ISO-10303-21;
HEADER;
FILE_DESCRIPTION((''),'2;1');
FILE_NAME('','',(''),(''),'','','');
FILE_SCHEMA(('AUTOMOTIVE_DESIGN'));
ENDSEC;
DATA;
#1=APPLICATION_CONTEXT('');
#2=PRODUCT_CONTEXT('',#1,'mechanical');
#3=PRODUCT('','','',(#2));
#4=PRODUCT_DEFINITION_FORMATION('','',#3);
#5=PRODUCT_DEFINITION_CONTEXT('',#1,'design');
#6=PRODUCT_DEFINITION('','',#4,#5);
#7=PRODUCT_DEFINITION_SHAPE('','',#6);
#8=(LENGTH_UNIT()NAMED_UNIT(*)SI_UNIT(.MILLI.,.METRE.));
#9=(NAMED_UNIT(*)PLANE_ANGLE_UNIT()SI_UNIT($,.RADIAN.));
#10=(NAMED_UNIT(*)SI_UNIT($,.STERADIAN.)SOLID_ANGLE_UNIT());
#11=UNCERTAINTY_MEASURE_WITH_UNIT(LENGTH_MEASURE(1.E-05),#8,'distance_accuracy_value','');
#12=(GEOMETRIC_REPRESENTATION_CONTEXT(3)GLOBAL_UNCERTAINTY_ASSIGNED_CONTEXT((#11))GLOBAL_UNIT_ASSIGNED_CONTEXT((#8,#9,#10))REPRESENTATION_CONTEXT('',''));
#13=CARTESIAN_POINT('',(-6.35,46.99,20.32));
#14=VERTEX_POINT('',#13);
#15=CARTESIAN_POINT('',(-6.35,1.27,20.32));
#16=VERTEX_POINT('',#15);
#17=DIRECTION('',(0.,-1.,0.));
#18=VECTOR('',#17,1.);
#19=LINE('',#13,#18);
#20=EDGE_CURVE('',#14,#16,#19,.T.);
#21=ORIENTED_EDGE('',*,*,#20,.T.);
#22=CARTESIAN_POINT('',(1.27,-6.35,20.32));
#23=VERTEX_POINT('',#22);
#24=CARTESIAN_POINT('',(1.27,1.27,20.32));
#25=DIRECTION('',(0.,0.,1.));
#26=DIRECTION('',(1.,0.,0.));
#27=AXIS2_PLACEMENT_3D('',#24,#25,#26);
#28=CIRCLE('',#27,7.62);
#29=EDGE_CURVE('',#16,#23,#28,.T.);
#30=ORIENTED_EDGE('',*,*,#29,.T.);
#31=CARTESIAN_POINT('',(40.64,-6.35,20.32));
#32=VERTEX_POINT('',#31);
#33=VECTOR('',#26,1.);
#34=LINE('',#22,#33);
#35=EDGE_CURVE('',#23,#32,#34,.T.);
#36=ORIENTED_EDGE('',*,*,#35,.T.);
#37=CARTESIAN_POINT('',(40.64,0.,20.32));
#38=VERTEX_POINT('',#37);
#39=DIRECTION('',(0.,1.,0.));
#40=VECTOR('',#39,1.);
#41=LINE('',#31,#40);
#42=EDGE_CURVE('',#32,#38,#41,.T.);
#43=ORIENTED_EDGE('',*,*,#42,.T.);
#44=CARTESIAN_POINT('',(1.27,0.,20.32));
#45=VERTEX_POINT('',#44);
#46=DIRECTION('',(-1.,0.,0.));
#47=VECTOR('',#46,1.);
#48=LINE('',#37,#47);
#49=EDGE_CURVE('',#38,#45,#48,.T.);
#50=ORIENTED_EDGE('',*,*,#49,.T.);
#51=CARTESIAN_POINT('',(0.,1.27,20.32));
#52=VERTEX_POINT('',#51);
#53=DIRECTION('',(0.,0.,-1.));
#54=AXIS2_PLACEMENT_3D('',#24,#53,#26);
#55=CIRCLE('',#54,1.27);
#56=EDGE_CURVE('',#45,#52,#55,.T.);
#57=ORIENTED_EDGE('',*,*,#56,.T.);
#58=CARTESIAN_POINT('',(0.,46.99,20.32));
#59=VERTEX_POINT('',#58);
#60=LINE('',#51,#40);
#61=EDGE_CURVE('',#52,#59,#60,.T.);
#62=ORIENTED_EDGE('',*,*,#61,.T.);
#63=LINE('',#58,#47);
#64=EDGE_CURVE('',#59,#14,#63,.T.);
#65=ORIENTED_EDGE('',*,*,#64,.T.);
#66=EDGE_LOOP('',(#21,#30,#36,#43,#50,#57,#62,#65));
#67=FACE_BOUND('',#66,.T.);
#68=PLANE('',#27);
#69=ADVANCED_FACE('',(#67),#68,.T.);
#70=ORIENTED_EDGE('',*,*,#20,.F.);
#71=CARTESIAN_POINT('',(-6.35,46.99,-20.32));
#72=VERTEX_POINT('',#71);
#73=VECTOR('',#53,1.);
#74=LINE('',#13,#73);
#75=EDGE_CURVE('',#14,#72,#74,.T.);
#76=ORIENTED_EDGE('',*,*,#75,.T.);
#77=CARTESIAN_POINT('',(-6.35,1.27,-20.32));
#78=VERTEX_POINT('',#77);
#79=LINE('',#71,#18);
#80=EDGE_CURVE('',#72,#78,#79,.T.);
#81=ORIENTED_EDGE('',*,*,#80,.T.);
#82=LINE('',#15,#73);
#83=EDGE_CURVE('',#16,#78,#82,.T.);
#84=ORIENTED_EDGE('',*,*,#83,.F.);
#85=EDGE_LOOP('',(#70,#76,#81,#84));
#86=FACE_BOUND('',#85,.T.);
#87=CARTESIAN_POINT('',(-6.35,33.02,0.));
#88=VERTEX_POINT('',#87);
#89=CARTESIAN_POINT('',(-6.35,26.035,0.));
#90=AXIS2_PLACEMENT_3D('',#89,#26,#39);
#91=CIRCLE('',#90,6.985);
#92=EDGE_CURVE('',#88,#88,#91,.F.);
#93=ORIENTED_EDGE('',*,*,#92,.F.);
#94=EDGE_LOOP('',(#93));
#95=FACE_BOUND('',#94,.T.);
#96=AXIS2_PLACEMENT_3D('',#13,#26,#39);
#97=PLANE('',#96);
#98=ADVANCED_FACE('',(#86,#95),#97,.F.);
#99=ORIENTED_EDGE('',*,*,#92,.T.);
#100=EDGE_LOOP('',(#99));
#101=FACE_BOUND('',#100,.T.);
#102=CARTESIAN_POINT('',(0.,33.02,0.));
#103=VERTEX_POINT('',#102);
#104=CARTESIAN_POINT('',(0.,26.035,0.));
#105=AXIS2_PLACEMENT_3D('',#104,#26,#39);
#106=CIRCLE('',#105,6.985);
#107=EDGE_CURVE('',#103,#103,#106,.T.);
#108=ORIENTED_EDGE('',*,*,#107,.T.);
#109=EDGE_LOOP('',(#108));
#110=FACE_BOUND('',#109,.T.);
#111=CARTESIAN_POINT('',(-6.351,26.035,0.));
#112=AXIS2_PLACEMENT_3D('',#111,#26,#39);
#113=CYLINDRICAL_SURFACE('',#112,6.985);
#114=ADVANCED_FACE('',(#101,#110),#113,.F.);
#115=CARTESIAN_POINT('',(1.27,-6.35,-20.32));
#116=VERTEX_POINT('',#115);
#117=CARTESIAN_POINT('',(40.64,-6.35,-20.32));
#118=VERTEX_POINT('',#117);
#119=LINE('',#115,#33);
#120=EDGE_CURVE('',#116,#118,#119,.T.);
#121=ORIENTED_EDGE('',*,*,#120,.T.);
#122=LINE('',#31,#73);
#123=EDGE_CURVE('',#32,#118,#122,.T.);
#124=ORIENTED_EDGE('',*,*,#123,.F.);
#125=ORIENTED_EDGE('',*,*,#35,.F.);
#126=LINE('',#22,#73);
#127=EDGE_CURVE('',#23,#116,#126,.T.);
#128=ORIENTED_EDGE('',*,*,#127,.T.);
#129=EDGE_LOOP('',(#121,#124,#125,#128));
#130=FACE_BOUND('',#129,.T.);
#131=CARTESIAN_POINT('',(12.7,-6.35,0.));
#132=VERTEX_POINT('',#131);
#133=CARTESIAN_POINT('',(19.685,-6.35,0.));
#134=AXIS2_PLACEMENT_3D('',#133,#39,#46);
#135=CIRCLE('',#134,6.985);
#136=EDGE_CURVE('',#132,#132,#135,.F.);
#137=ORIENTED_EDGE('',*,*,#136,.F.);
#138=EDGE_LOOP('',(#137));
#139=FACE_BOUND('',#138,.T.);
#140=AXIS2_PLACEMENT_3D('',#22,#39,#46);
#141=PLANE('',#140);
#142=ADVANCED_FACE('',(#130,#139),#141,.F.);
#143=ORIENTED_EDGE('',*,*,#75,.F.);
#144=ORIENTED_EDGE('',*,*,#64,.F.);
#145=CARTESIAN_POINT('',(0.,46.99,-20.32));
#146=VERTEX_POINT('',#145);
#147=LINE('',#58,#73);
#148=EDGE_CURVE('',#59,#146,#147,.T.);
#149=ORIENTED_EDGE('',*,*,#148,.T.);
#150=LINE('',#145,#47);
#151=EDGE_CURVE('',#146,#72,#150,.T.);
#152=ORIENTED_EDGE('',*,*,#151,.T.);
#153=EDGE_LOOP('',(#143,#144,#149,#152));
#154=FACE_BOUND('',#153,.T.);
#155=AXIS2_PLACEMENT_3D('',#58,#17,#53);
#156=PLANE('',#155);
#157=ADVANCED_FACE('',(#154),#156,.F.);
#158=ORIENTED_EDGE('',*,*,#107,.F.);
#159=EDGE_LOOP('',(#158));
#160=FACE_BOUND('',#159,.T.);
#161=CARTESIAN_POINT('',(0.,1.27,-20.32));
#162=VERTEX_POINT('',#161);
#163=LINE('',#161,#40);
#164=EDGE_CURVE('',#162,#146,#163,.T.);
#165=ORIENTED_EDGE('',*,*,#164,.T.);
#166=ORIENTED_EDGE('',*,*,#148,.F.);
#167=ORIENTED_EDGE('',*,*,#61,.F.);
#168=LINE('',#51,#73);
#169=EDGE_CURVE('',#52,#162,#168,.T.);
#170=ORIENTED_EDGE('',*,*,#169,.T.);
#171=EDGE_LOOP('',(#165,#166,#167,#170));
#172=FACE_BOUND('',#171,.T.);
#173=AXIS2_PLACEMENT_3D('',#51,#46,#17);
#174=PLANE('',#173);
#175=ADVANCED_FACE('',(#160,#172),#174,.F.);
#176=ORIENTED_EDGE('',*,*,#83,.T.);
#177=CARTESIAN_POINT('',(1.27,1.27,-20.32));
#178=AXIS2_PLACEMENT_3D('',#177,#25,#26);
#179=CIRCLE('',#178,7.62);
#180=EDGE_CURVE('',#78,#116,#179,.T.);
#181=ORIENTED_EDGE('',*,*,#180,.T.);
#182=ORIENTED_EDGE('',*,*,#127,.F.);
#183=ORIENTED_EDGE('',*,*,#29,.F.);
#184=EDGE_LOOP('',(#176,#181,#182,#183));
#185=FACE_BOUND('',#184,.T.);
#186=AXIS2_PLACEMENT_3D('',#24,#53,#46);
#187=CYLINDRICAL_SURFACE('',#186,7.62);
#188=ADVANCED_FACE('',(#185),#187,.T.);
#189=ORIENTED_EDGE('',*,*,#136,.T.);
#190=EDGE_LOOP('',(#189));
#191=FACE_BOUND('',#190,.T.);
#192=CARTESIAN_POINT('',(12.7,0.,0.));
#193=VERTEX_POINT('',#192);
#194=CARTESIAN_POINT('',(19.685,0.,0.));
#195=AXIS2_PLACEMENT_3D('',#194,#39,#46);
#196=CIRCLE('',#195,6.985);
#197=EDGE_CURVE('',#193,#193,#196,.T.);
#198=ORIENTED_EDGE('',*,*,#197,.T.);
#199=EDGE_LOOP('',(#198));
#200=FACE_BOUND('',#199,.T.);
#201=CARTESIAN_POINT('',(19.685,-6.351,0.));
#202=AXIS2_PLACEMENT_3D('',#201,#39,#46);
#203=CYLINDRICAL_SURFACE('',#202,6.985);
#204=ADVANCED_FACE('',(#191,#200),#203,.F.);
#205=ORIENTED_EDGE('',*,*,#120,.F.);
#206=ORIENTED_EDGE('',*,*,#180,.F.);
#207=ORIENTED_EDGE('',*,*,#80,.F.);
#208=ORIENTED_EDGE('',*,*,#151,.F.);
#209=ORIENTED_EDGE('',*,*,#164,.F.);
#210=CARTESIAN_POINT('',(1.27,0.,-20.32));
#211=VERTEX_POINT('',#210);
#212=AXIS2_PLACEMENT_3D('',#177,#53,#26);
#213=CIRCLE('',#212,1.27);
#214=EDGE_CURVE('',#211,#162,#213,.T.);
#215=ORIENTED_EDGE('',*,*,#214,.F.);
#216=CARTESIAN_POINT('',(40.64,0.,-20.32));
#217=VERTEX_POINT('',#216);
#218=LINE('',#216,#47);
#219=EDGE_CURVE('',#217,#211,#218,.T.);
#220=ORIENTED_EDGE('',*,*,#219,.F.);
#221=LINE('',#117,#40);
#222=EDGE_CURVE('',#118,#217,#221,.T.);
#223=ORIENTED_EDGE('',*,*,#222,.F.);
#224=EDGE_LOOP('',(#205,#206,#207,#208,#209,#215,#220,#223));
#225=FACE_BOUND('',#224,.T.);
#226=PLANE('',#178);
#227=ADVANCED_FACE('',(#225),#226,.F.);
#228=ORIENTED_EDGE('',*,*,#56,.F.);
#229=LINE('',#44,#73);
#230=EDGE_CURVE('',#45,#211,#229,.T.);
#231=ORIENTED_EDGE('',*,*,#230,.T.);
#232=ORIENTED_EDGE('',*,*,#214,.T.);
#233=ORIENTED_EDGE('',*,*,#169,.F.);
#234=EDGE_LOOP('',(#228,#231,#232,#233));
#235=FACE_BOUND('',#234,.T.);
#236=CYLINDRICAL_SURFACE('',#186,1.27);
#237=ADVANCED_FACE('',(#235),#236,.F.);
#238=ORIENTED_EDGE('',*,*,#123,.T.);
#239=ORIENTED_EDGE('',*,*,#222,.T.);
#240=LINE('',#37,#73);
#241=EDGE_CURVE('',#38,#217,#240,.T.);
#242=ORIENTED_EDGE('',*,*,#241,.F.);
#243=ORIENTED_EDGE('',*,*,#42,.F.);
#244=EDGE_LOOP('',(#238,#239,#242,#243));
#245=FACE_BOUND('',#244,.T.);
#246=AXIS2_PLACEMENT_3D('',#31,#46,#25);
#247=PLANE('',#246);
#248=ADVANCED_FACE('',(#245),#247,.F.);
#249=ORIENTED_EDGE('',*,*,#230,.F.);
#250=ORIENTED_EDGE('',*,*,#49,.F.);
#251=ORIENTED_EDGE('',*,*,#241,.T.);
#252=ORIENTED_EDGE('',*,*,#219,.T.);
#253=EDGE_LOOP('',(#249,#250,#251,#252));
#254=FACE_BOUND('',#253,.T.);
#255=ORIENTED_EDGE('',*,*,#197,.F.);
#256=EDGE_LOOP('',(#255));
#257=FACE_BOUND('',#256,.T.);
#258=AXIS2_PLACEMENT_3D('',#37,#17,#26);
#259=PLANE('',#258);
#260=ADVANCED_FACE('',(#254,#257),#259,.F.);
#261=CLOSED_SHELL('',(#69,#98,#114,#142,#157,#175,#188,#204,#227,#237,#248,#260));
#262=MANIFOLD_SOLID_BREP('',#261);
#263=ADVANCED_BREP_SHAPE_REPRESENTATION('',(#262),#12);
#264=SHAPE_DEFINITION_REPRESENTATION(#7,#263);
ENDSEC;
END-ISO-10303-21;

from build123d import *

# Parameters (mm, degrees)
BOSS_EXTRUDE1_DEPTH = 20.32
CUT_EXTRUDE1_REACH  = 8.35
SKETCH2_R           = 6.985
CUT_EXTRUDE2_REACH  = 8.35
SKETCH3_R           = 6.985


with BuildPart() as part:
    # Sketch1 → Boss-Extrude1 (new body, symmetric)
    with BuildSketch(Plane.XY):
        with BuildLine():
            Line((0, 1.27), (0, 46.99))
            Line((0, 46.99), (-6.35, 46.99))
            Line((-6.35, 46.99), (-6.35, 1.27))
            ThreePointArc((-6.35, 1.27), (-4.118153673, -4.118153673), (1.27, -6.35))
            Line((1.27, -6.35), (40.64, -6.35))
            Line((40.64, -6.35), (40.64, 0))
            Line((40.64, 0), (1.27, 0))
            ThreePointArc((1.27, 0), (0.371974388, 0.371974388), (0, 1.27))
        make_face()
    extrude(amount=BOSS_EXTRUDE1_DEPTH, both=True)

    # Sketch2 → Cut-Extrude1 (cut, up to next)
    with BuildSketch(Plane(origin=(0, 0, 0), x_dir=(0, 0, -1), z_dir=(1, 0, 0)), mode=Mode.PRIVATE) as cut_extrude1_sk1:
        with Locations((0, 26.035)):
            Circle(SKETCH2_R)
    cut_extrude1_tool1 = extrude(cut_extrude1_sk1.sketch, amount=-CUT_EXTRUDE1_REACH, mode=Mode.PRIVATE) & part.part
    add(cut_extrude1_tool1.solids().sort_by_distance((0, 26.035, 0))[0], mode=Mode.SUBTRACT)

    # Sketch3 → Cut-Extrude2 (cut, up to next)
    with BuildSketch(Plane(origin=(0, 0, 0), x_dir=(1, 0, 0), z_dir=(0, 1, 0)), mode=Mode.PRIVATE) as cut_extrude2_sk1:
        with Locations((19.685, 0)):
            Circle(SKETCH3_R)
    cut_extrude2_tool1 = extrude(cut_extrude2_sk1.sketch, amount=-CUT_EXTRUDE2_REACH, mode=Mode.PRIVATE) & part.part
    add(cut_extrude2_tool1.solids().sort_by_distance((19.685, 0, 0))[0], mode=Mode.SUBTRACT)


solid = part.part
